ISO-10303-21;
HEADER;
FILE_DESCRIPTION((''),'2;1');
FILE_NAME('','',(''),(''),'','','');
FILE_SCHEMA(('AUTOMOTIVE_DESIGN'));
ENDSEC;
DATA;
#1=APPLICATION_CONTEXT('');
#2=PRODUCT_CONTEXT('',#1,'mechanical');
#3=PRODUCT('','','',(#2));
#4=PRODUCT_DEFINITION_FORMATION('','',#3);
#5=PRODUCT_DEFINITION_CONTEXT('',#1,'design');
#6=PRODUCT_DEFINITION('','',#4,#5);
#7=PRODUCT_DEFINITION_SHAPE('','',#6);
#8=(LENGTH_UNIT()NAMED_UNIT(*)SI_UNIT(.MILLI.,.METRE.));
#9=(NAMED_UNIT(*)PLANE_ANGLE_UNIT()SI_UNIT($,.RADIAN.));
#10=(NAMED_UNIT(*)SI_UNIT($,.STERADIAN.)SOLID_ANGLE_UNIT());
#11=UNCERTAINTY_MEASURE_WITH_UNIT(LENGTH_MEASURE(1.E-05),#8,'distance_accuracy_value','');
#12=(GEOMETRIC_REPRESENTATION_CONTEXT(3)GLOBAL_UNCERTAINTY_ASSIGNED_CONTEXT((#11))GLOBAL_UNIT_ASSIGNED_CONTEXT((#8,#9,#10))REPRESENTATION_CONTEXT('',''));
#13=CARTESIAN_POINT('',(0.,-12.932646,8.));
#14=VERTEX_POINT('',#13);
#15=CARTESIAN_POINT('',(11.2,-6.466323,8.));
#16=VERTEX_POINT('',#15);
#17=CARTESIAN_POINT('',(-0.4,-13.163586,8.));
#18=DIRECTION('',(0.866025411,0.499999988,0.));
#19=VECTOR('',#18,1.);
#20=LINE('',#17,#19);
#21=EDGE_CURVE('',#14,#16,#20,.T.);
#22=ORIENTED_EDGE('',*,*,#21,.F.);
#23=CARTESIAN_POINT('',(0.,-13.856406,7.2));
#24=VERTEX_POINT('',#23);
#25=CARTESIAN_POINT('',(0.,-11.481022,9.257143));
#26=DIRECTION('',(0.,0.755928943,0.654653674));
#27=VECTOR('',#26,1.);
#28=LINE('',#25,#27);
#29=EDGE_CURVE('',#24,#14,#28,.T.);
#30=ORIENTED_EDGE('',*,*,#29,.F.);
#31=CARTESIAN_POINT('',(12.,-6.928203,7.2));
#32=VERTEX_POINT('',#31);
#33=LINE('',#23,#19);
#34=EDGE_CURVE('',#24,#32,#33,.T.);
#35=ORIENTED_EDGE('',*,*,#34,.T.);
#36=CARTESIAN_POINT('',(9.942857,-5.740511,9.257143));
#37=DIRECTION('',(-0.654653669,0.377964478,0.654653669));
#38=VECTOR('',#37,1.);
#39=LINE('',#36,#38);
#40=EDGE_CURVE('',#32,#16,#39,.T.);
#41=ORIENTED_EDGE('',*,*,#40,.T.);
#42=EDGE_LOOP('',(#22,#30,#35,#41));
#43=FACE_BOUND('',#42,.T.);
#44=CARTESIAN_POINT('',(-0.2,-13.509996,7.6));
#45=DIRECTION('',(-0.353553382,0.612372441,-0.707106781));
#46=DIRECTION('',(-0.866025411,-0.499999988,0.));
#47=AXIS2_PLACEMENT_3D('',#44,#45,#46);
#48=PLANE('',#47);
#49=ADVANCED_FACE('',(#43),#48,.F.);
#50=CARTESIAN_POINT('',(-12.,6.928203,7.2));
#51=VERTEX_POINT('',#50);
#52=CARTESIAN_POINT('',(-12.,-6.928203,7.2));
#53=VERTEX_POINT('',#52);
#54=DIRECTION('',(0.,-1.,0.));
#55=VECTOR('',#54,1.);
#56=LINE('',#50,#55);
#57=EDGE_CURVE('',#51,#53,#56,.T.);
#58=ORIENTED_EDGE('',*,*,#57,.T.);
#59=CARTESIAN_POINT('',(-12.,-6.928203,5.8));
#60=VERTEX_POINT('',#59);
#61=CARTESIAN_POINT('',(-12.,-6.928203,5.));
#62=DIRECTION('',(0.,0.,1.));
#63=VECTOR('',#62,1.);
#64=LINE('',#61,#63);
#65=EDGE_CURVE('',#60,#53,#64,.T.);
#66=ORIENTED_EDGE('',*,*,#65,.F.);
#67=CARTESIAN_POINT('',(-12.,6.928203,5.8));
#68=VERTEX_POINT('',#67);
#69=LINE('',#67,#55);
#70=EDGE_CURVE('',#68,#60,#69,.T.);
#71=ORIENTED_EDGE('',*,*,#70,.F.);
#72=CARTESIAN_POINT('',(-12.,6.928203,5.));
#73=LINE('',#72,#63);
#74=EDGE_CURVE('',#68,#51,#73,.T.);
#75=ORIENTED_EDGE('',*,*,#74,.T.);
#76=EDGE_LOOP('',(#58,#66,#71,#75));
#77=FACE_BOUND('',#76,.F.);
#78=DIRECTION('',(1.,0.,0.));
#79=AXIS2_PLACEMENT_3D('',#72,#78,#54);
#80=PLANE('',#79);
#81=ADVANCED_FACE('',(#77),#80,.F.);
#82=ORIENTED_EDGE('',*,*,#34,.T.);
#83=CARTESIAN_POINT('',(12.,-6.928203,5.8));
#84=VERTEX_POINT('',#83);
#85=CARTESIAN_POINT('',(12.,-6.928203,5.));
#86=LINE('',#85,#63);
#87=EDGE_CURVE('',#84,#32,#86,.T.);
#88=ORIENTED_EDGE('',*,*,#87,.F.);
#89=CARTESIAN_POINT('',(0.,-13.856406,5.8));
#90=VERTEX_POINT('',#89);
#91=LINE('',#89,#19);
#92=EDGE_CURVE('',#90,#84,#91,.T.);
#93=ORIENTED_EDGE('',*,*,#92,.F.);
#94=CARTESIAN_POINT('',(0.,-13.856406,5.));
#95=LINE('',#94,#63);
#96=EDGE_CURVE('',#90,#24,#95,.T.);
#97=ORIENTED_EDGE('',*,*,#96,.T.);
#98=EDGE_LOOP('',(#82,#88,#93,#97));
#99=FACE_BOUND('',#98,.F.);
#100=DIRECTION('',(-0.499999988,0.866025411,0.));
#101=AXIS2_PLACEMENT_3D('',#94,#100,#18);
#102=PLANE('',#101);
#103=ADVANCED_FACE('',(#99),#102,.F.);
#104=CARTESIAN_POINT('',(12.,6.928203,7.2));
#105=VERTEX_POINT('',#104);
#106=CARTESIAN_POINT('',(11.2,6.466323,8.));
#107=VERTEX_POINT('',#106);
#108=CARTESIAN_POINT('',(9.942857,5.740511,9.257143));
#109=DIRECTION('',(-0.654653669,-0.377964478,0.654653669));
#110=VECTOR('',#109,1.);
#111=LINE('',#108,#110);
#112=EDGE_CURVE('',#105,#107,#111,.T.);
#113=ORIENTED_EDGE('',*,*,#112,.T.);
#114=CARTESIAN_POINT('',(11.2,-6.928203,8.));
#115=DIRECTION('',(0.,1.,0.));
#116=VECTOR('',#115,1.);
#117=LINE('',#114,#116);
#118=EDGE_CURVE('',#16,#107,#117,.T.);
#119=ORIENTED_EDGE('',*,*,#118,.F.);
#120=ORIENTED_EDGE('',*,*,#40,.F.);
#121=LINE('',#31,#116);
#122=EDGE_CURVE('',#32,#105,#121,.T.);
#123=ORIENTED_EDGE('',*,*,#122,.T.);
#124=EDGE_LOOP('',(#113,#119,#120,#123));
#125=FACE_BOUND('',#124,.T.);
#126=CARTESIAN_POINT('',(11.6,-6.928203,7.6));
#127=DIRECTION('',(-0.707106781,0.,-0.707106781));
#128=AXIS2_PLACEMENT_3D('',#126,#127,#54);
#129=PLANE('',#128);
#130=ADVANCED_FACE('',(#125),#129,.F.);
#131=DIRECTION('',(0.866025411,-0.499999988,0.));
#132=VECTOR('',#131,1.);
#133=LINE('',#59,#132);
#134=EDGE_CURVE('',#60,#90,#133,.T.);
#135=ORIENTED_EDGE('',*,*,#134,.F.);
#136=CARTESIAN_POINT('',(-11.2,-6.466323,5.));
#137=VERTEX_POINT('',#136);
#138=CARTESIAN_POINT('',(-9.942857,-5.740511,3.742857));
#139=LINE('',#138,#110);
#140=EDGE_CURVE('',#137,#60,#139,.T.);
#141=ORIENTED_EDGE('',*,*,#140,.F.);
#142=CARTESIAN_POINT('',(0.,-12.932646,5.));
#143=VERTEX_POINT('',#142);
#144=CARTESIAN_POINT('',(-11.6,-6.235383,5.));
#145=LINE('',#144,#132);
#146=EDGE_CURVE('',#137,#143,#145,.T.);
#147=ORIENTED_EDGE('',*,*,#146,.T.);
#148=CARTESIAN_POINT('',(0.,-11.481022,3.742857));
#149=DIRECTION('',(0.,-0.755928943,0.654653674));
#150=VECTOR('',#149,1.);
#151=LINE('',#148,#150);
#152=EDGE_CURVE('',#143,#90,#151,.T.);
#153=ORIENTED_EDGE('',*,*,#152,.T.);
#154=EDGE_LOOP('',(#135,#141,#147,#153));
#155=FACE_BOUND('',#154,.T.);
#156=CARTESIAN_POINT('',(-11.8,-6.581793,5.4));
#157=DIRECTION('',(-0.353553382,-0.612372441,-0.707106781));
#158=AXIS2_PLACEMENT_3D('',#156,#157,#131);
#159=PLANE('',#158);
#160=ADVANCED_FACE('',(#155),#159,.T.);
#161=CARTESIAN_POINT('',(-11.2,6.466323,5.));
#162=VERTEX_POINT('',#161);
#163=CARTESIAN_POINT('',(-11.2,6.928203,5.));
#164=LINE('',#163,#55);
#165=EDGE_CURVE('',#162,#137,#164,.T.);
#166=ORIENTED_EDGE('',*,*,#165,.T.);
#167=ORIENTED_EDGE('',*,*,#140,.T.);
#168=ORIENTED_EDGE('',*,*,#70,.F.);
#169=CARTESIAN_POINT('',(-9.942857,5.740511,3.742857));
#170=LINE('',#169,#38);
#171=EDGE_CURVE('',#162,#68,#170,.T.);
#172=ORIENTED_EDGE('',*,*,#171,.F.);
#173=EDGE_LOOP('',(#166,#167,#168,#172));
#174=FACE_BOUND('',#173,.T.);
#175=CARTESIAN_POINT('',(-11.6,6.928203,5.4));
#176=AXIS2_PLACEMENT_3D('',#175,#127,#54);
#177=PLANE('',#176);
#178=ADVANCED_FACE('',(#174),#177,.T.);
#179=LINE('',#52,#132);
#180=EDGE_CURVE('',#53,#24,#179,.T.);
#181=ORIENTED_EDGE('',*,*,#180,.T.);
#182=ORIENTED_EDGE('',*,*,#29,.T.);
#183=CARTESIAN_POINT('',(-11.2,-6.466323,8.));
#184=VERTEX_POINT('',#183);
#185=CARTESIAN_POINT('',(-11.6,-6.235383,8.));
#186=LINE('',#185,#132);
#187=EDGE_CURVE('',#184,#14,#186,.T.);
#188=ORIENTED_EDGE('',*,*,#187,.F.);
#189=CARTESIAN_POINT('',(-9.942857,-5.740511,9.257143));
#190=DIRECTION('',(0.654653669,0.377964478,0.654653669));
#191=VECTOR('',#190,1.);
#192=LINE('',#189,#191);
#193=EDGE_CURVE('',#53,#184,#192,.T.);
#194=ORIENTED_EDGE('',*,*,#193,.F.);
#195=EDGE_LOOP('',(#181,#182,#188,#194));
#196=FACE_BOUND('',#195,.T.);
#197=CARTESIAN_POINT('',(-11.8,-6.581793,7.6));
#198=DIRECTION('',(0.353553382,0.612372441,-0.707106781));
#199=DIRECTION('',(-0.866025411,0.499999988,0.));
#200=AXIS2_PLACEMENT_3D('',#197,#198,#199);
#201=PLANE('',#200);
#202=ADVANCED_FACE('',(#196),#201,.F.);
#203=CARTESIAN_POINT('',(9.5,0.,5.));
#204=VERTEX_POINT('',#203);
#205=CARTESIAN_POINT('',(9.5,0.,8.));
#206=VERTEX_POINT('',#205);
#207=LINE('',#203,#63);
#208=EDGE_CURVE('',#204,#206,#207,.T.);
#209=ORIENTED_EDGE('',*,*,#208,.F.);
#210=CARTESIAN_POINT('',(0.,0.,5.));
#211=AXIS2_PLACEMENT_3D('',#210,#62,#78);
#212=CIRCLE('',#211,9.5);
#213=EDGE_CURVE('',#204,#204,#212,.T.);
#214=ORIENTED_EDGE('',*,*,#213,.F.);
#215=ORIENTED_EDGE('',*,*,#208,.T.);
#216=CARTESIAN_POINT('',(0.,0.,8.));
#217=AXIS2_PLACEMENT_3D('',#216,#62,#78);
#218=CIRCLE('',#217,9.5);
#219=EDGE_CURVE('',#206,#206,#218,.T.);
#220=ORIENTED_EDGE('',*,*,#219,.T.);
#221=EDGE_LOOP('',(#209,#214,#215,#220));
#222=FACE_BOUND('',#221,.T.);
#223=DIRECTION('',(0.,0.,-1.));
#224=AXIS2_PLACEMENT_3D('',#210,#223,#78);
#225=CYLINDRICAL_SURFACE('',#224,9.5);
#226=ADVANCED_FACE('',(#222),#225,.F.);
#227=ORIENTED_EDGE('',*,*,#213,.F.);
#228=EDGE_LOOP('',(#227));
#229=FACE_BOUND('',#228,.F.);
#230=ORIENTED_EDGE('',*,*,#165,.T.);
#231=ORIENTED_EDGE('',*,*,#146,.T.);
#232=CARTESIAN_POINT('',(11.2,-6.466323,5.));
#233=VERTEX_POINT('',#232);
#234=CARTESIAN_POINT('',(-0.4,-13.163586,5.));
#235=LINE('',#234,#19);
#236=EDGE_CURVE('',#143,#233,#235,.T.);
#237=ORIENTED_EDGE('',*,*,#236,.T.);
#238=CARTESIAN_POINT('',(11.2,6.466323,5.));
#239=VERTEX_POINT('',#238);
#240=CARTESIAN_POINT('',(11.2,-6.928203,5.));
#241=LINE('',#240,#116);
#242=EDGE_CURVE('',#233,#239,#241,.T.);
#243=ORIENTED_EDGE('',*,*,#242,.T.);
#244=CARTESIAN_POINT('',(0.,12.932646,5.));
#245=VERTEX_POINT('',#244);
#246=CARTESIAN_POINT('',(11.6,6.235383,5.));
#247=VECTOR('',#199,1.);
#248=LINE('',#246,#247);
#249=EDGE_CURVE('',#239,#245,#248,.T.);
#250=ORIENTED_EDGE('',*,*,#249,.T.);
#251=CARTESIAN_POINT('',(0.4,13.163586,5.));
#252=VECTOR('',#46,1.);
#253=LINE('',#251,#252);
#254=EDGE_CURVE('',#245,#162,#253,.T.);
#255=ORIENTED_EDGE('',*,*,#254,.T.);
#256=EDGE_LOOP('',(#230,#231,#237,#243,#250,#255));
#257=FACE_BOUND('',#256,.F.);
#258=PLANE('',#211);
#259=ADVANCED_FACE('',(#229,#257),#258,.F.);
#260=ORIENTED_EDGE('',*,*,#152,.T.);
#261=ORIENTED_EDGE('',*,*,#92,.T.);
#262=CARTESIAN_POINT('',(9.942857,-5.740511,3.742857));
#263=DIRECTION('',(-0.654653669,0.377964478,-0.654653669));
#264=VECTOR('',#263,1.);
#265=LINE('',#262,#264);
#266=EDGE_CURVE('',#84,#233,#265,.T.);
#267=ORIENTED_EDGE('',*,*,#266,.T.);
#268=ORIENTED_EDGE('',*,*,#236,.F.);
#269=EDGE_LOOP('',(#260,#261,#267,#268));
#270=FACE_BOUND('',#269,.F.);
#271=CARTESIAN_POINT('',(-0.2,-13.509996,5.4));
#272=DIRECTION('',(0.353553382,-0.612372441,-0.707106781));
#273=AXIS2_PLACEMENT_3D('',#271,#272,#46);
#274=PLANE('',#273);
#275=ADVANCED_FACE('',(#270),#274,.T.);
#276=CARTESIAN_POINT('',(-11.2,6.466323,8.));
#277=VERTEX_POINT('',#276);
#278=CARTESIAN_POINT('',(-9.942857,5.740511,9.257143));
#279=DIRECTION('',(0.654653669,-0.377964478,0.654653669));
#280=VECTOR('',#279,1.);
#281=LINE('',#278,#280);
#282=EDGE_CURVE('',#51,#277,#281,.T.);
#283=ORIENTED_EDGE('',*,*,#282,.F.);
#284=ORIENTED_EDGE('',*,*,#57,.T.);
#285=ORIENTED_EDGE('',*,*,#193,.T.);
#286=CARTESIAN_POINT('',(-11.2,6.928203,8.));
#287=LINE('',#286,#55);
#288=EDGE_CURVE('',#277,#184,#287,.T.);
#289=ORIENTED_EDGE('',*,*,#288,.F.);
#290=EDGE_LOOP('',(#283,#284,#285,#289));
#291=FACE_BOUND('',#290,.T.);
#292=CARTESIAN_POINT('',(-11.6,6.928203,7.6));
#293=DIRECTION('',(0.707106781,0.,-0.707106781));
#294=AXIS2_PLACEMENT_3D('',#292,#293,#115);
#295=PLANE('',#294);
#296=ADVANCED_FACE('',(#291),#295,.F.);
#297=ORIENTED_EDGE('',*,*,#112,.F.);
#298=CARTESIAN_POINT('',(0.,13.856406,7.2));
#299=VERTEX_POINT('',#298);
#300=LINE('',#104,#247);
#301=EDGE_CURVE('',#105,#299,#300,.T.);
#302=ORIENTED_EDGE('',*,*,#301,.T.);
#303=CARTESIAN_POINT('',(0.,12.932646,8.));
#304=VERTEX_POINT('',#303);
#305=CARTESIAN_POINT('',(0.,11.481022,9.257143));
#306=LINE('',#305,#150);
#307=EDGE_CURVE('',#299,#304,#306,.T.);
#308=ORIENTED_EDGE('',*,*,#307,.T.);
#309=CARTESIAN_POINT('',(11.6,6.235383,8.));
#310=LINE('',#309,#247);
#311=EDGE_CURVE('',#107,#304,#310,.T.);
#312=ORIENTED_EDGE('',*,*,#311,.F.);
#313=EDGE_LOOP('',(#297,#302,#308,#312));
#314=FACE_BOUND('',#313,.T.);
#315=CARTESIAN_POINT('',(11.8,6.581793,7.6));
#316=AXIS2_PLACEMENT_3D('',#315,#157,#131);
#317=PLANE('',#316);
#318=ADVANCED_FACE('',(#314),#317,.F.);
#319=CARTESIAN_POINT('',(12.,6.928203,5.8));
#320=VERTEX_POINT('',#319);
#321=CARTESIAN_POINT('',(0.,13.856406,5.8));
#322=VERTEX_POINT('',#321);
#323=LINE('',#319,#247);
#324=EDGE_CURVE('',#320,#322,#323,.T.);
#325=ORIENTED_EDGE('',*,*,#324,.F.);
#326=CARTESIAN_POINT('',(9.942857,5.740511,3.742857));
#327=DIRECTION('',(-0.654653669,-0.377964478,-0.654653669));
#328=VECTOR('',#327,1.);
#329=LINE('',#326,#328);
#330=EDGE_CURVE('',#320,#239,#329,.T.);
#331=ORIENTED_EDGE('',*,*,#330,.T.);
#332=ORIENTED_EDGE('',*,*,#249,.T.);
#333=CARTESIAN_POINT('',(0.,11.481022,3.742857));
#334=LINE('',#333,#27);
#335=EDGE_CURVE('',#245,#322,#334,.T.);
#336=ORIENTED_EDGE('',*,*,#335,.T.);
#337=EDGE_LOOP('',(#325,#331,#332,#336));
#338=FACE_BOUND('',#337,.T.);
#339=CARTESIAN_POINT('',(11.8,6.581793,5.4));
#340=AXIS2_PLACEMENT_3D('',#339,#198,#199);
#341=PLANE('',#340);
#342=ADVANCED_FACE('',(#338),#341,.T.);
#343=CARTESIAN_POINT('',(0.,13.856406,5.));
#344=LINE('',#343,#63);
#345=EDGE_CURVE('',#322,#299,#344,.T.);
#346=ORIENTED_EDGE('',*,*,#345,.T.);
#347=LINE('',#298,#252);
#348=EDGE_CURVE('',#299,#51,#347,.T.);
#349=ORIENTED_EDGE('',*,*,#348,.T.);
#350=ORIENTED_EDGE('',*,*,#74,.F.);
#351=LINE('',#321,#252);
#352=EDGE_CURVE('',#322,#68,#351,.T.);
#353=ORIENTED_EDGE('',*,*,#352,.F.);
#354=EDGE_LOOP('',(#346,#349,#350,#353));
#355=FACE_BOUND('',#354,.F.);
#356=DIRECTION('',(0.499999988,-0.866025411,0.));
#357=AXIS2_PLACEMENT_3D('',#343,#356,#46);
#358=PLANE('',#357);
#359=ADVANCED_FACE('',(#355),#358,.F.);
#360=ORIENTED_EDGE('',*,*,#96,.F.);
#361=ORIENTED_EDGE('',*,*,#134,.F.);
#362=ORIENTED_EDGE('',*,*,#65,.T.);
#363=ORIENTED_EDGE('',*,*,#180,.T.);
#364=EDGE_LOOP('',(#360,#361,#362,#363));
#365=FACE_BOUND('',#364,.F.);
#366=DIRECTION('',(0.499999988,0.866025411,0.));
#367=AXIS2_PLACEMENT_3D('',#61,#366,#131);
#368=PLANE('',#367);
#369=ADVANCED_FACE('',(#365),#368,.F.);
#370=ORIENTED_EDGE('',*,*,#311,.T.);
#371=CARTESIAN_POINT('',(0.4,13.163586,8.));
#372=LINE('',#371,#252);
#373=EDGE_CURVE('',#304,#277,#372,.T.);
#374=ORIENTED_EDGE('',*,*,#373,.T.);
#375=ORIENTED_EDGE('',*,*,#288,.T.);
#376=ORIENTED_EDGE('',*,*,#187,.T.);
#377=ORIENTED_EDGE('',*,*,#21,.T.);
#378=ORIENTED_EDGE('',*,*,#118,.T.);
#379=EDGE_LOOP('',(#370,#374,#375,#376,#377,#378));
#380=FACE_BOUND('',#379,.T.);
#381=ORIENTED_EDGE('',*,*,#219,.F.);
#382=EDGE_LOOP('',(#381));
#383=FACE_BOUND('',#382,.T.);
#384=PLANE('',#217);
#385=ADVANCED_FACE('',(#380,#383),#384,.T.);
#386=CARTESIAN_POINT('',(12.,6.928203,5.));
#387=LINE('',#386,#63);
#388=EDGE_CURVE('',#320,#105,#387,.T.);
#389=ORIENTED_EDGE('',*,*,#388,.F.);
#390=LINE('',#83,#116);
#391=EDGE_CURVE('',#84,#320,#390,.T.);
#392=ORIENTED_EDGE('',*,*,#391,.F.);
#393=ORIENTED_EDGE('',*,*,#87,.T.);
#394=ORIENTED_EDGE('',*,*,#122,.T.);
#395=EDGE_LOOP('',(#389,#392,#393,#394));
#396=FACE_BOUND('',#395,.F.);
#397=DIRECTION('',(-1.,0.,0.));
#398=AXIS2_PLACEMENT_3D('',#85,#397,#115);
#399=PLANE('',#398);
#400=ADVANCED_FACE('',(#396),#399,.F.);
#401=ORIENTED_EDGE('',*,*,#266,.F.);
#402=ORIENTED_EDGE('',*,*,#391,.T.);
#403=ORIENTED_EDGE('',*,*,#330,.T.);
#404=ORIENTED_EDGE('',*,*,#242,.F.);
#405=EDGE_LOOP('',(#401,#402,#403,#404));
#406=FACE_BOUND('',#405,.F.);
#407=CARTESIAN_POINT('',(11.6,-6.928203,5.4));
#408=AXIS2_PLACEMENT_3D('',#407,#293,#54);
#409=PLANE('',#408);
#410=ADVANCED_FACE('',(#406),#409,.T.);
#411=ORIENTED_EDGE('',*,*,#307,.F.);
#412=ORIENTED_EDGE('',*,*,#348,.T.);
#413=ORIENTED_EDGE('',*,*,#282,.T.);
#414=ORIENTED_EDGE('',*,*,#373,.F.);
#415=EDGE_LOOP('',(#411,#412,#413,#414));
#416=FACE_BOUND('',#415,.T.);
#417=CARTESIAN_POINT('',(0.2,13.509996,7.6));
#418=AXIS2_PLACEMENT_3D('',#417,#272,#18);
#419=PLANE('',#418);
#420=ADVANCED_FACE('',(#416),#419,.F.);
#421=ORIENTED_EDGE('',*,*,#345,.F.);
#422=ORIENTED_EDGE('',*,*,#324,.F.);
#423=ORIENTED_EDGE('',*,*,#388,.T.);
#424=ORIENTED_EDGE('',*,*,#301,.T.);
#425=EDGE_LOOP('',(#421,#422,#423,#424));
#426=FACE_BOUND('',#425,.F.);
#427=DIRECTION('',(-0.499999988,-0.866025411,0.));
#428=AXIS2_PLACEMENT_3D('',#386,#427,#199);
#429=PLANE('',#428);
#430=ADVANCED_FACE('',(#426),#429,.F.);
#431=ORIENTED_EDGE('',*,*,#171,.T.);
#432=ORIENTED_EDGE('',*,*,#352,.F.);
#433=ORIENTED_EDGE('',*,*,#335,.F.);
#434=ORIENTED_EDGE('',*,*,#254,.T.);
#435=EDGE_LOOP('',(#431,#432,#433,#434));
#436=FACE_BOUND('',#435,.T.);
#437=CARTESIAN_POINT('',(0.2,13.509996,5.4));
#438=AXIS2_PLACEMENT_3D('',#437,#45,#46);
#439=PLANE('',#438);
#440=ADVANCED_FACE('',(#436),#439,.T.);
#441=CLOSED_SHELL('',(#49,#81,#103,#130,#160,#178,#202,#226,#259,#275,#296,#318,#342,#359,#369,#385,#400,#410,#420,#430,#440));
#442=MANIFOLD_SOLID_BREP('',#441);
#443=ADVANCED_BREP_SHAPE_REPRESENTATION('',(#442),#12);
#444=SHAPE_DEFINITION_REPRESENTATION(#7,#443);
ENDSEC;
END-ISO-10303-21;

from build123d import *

# Parameters (mm, degrees)
SKETCH019_R     = 9.5
PAD009_DEPTH    = 3
CHAMFER005_SIZE = 0.8
CHAMFER004_SIZE = 0.8


with BuildPart() as part:
    # Sketch019 → Pad009 (new body)
    with BuildSketch(Plane.XY):
        Polygon((12, -6.928203), (12, 6.928203), (0, 13.856406), (-12, 6.928203), (-12, -6.928203), (0, -13.856406), align=None)
        Circle(SKETCH019_R, mode=Mode.SUBTRACT)
    extrude(amount=PAD009_DEPTH)

    # Chamfer005
    chamfer005_edges = [part.edges().sort_by_distance(p)[0] for p in [
        (12, 0, 3),
        (6, -10.392305, 3),
        (-6, -10.392305, 3),
        (-12, 0, 3),
        (-6, 10.392305, 3),
        (6, 10.392305, 3),
    ]]
    chamfer(chamfer005_edges, length=CHAMFER005_SIZE)

    # Chamfer004
    chamfer004_edges = [part.edges().sort_by_distance(p)[0] for p in [
        (-6, 10.392305, 0),
        (-12, 0, 0),
        (-6, -10.392305, 0),
        (6, -10.392305, 0),
        (12, 0, 0),
        (6, 10.392305, 0),
    ]]
    chamfer(chamfer004_edges, length=CHAMFER004_SIZE)


with BuildPart() as part_1:
    # Body006 placement: moved
    add(part.part.moved(Location((0, 0, 5))))


solid = part_1.part
